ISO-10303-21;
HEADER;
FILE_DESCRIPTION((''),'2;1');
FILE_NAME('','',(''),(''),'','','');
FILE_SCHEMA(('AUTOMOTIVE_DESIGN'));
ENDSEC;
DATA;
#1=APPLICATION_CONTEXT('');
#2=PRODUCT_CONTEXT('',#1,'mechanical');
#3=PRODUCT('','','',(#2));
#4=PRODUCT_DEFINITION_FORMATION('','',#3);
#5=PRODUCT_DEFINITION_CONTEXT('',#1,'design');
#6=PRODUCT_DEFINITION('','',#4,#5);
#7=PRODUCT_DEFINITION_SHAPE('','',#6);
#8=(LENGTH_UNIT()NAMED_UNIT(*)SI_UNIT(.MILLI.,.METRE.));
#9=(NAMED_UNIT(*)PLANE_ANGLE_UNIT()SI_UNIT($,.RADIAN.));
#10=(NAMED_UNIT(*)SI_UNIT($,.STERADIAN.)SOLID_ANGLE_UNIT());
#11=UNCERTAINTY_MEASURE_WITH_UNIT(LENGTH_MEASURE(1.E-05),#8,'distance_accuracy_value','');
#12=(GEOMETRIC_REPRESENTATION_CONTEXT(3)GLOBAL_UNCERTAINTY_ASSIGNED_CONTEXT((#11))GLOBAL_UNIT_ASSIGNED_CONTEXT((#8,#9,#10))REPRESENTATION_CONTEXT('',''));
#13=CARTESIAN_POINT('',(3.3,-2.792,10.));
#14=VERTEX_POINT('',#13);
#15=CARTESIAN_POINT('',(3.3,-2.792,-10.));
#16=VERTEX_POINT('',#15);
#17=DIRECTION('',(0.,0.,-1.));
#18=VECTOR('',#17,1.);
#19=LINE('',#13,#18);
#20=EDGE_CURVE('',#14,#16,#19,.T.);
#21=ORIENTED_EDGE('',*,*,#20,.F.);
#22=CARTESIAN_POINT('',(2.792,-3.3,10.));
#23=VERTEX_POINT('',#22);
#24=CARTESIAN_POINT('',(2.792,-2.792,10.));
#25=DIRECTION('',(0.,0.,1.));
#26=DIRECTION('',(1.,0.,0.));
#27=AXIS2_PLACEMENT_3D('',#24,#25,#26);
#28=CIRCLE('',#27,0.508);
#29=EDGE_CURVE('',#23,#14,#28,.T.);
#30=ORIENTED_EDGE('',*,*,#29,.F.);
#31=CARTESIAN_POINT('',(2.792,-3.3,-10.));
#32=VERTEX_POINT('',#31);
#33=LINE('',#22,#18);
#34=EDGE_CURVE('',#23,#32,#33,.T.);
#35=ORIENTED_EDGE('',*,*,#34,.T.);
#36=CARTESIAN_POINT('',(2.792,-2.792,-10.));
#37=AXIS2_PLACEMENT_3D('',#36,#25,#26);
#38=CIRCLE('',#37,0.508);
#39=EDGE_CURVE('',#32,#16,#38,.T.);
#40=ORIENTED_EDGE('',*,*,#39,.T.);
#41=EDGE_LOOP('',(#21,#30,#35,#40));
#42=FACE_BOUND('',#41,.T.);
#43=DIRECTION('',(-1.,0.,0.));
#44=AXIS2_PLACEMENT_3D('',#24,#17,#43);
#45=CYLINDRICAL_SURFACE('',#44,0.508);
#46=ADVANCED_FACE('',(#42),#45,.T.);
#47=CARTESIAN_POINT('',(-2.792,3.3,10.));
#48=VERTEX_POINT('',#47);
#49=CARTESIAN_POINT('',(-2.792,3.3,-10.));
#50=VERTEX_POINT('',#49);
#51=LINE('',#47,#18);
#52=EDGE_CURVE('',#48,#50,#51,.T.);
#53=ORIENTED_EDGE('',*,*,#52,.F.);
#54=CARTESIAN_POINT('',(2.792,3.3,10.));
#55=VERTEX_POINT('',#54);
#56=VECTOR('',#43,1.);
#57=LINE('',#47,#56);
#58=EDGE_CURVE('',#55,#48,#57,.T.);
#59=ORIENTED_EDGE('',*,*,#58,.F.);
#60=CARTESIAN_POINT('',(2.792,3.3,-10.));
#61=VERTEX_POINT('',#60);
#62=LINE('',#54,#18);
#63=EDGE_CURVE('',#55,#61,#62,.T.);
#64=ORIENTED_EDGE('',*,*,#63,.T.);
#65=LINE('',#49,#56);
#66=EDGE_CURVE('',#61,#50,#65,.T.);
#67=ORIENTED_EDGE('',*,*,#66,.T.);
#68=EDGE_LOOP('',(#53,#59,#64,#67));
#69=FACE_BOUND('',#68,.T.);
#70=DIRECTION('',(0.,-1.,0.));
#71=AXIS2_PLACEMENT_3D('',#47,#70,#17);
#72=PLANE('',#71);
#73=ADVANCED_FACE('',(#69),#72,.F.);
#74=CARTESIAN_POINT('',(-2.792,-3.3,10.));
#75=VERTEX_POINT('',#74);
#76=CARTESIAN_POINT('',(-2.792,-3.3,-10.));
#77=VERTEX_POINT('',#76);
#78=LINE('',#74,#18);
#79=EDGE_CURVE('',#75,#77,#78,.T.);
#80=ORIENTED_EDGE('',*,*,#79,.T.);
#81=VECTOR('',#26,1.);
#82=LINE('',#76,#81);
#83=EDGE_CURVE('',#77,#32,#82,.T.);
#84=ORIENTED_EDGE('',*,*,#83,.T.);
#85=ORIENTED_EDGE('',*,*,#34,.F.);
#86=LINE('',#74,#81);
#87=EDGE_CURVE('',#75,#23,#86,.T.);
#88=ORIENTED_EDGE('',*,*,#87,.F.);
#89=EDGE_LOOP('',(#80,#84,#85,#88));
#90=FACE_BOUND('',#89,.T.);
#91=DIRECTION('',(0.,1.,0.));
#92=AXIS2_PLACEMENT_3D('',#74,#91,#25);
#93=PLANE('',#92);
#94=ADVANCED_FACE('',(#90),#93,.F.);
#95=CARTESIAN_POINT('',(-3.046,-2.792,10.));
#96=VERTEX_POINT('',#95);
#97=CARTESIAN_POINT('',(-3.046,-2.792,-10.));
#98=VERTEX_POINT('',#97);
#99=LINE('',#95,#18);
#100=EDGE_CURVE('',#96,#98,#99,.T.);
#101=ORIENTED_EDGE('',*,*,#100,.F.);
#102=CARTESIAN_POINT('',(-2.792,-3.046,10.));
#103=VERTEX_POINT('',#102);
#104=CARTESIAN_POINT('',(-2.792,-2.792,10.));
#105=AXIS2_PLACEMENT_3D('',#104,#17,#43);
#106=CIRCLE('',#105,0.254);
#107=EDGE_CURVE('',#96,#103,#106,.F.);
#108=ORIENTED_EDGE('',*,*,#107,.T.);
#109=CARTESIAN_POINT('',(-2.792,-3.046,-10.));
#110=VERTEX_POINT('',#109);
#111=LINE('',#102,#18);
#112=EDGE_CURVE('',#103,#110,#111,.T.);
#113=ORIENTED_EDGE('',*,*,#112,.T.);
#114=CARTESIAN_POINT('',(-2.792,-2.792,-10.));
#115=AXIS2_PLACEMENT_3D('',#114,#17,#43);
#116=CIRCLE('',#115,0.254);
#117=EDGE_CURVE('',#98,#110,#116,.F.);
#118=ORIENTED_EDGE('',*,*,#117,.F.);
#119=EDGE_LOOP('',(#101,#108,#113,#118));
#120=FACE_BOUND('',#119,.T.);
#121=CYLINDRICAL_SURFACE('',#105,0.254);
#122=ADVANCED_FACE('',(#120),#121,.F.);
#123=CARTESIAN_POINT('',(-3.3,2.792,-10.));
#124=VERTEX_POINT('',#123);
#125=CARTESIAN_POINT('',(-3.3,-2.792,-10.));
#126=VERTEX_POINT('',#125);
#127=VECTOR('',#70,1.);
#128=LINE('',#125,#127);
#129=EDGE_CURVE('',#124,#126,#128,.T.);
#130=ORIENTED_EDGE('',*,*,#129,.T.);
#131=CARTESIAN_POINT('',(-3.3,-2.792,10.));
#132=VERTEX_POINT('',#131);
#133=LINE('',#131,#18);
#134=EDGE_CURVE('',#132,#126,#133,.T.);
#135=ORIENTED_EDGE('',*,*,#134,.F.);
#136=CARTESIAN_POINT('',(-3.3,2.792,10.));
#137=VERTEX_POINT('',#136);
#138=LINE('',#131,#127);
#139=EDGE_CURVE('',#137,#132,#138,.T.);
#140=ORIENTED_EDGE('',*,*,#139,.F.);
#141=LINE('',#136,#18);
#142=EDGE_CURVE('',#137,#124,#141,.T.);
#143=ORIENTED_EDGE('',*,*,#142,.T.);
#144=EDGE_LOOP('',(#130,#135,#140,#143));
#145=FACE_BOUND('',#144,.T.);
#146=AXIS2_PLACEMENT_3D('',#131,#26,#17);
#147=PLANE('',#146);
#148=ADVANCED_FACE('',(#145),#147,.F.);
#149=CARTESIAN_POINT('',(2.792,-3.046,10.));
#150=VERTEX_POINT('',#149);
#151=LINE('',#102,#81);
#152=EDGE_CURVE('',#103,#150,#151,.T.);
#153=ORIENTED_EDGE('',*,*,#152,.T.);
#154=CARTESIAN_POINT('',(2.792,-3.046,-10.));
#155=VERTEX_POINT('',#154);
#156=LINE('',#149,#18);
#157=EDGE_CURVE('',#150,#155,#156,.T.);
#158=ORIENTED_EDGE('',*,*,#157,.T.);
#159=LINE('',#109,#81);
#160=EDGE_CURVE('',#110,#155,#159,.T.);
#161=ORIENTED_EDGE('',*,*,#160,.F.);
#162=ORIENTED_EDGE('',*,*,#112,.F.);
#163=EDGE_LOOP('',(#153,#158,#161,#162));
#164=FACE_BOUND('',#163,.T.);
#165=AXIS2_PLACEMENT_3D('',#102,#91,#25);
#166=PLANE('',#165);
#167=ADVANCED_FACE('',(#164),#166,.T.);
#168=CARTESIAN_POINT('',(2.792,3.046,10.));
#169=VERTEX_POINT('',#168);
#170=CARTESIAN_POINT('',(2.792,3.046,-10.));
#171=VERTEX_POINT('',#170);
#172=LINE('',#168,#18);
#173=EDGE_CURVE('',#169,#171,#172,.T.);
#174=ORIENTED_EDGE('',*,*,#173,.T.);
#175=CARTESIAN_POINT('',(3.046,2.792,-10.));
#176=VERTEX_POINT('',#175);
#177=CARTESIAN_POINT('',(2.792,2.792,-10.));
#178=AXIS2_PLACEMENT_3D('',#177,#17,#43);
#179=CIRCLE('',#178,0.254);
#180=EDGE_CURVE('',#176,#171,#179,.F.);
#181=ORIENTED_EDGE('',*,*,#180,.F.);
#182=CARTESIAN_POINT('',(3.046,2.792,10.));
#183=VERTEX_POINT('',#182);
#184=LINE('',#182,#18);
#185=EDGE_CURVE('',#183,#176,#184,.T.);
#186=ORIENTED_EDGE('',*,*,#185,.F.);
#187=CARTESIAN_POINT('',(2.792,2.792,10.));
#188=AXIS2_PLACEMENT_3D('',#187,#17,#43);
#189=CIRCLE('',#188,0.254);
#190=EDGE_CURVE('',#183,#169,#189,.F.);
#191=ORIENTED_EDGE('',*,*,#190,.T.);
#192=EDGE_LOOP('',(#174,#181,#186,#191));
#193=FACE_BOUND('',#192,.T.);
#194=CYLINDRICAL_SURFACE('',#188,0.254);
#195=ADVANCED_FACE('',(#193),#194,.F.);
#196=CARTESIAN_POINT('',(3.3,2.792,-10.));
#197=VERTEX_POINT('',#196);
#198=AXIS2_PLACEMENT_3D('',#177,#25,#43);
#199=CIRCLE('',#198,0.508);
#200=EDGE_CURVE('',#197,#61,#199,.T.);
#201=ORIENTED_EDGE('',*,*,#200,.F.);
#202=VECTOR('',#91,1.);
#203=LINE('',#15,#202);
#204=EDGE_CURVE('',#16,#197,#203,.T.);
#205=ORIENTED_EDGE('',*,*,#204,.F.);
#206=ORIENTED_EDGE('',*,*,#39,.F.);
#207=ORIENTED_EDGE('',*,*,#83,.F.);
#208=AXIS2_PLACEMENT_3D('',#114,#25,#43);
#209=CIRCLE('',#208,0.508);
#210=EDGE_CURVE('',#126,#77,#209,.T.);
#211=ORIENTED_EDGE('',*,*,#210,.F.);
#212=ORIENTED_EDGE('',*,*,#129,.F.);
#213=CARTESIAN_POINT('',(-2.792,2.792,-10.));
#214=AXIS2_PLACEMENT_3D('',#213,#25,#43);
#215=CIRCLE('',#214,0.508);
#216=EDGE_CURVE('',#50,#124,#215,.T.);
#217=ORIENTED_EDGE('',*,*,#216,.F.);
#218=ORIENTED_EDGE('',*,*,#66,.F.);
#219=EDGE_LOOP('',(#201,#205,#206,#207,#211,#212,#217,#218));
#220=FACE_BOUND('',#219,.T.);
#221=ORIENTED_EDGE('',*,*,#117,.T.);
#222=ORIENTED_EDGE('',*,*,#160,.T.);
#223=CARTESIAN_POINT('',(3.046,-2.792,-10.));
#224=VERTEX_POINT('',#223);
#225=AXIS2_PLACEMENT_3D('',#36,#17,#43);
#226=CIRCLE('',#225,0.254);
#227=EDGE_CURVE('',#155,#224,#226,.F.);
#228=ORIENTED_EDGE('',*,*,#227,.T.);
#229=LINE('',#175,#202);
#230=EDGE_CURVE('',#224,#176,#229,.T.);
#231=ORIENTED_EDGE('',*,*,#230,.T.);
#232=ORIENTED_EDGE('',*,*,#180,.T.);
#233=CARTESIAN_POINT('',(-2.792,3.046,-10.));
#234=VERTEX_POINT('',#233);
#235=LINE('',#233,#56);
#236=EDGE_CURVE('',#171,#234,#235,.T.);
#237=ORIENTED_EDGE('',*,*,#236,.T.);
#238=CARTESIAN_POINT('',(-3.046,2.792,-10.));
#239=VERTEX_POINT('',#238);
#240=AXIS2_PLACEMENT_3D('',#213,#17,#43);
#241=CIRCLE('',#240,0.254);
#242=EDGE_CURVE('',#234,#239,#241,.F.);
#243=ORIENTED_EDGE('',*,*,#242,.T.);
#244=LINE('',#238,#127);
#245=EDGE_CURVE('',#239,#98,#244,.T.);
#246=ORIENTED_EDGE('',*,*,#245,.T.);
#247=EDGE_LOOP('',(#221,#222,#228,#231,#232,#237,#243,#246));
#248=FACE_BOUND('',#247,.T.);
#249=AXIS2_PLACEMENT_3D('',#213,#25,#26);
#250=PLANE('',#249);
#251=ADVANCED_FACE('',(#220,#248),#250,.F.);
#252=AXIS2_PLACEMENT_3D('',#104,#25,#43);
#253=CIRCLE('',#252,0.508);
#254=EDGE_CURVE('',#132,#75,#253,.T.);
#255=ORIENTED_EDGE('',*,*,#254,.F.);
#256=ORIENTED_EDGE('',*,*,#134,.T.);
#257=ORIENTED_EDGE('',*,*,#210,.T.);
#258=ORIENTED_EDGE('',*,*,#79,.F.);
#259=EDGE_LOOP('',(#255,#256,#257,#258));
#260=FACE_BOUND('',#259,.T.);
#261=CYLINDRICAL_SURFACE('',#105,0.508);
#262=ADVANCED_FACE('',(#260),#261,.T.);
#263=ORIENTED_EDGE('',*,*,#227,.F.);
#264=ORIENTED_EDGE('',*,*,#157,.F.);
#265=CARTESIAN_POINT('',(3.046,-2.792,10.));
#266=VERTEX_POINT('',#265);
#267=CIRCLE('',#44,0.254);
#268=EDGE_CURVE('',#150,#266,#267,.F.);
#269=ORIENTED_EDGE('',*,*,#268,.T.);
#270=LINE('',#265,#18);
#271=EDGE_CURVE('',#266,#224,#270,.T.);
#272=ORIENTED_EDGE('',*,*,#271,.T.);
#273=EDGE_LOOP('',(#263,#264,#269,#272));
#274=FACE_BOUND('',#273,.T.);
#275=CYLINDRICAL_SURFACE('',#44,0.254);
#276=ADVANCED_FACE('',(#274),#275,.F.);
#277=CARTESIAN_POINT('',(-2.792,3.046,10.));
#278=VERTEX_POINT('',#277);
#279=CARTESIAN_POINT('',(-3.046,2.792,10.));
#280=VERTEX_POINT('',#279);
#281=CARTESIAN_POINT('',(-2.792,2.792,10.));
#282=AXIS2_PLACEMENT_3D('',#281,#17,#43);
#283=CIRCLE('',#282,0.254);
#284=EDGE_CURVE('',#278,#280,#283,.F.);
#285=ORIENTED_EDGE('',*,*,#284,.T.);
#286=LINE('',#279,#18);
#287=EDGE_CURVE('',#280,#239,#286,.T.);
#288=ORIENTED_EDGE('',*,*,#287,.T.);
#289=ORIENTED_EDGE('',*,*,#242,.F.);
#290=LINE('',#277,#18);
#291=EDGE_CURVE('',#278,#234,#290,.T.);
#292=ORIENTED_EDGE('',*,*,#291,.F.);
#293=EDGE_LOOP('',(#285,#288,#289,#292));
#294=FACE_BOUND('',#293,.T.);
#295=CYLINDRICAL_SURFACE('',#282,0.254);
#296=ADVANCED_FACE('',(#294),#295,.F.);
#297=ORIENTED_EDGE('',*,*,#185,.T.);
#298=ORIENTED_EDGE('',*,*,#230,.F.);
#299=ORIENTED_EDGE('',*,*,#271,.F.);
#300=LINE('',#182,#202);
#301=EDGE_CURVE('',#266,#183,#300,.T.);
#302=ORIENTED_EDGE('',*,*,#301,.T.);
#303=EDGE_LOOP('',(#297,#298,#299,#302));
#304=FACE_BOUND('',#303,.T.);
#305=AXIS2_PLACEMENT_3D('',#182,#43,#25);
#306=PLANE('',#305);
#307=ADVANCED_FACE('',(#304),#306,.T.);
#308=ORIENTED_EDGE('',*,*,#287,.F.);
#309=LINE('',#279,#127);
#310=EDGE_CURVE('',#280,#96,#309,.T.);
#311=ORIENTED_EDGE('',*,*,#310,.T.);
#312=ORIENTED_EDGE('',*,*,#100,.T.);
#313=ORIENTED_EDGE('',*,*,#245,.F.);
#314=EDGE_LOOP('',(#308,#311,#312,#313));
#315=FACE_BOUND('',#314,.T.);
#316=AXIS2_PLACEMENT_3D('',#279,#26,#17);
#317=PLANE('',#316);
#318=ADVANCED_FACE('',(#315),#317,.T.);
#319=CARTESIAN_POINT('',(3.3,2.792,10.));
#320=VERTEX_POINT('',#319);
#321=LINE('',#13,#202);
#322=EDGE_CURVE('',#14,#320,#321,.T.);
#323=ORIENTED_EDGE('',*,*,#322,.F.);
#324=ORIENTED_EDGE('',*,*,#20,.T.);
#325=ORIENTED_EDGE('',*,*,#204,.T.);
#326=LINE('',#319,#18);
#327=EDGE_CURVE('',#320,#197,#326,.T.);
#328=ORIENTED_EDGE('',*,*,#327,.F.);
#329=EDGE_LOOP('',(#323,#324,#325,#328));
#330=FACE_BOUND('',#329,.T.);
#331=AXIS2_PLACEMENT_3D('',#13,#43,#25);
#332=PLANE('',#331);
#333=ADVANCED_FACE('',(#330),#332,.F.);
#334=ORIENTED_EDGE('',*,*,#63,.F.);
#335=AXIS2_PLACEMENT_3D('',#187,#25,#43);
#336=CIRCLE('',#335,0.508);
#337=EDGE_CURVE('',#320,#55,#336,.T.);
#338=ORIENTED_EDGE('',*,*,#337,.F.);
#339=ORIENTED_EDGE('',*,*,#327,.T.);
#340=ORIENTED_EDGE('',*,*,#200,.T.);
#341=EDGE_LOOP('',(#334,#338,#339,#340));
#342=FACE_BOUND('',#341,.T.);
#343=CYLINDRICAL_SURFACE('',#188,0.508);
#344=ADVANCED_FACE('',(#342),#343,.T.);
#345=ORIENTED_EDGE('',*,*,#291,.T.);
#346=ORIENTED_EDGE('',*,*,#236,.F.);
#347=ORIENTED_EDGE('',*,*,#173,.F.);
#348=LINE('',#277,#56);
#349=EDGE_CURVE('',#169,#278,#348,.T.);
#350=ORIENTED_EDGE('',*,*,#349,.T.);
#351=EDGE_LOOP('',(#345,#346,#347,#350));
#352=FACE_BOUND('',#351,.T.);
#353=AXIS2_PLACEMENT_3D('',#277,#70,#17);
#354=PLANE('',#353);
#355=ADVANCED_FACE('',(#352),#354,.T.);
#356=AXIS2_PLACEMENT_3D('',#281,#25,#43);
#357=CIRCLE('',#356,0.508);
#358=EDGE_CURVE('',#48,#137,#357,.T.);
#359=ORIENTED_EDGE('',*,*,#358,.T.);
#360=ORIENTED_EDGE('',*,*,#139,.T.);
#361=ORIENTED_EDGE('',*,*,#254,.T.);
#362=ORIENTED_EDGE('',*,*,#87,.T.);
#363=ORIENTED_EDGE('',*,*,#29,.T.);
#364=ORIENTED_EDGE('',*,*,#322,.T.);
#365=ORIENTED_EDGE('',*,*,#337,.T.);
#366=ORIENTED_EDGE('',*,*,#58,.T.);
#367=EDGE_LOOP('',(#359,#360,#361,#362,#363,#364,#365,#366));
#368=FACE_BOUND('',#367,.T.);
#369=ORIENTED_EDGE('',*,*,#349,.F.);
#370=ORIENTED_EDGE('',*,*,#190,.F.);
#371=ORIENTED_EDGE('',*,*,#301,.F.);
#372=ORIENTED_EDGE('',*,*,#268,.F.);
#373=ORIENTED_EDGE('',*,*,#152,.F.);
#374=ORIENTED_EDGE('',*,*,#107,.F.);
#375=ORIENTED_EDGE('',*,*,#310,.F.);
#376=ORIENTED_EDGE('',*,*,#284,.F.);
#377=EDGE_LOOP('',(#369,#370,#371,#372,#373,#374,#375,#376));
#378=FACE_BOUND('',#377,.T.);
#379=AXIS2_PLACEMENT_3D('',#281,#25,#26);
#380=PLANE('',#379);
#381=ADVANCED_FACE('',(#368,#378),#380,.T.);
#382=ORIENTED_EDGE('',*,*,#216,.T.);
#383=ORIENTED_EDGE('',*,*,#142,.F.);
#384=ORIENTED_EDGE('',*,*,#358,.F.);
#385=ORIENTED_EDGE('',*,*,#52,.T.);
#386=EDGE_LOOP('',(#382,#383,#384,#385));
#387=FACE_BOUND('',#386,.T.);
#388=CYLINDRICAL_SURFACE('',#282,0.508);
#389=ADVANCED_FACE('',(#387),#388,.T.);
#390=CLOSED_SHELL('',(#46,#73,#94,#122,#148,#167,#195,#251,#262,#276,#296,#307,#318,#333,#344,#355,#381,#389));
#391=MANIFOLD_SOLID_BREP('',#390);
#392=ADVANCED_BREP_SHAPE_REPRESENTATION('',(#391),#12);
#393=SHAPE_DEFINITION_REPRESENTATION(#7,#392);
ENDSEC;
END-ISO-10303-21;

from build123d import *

# Parameters (mm, degrees)
EXTRUDE_THIN1_DEPTH = 10


with BuildPart() as part:
    # Sketch1 → Extrude-Thin1 (new body, symmetric)
    with BuildSketch(Plane.XY):
        with BuildLine():
            Line((2.792, 3.3), (-2.792, 3.3))
            ThreePointArc((-2.792, 3.3), (-3.151210245, 3.151210245), (-3.3, 2.792))
            Line((-3.3, 2.792), (-3.3, -2.792))
            ThreePointArc((-3.3, -2.792), (-3.151210245, -3.151210245), (-2.792, -3.3))
            Line((-2.792, -3.3), (2.792, -3.3))
            ThreePointArc((2.792, -3.3), (3.151210245, -3.151210245), (3.3, -2.792))
            Line((3.3, -2.792), (3.3, 2.792))
            ThreePointArc((3.3, 2.792), (3.151210245, 3.151210245), (2.792, 3.3))
        make_face()
        with BuildLine():
            Line((2.792, 3.046), (-2.792, 3.046))
            ThreePointArc((-2.792, 3.046), (-2.971605122, 2.971605122), (-3.046, 2.792))
            Line((-3.046, 2.792), (-3.046, -2.792))
            ThreePointArc((-3.046, -2.792), (-2.971605122, -2.971605122), (-2.792, -3.046))
            Line((-2.792, -3.046), (2.792, -3.046))
            ThreePointArc((2.792, -3.046), (2.971605122, -2.971605122), (3.046, -2.792))
            Line((3.046, -2.792), (3.046, 2.792))
            ThreePointArc((3.046, 2.792), (2.971605122, 2.971605122), (2.792, 3.046))
        make_face(mode=Mode.SUBTRACT)
    extrude(amount=EXTRUDE_THIN1_DEPTH, both=True)


solid = part.part
